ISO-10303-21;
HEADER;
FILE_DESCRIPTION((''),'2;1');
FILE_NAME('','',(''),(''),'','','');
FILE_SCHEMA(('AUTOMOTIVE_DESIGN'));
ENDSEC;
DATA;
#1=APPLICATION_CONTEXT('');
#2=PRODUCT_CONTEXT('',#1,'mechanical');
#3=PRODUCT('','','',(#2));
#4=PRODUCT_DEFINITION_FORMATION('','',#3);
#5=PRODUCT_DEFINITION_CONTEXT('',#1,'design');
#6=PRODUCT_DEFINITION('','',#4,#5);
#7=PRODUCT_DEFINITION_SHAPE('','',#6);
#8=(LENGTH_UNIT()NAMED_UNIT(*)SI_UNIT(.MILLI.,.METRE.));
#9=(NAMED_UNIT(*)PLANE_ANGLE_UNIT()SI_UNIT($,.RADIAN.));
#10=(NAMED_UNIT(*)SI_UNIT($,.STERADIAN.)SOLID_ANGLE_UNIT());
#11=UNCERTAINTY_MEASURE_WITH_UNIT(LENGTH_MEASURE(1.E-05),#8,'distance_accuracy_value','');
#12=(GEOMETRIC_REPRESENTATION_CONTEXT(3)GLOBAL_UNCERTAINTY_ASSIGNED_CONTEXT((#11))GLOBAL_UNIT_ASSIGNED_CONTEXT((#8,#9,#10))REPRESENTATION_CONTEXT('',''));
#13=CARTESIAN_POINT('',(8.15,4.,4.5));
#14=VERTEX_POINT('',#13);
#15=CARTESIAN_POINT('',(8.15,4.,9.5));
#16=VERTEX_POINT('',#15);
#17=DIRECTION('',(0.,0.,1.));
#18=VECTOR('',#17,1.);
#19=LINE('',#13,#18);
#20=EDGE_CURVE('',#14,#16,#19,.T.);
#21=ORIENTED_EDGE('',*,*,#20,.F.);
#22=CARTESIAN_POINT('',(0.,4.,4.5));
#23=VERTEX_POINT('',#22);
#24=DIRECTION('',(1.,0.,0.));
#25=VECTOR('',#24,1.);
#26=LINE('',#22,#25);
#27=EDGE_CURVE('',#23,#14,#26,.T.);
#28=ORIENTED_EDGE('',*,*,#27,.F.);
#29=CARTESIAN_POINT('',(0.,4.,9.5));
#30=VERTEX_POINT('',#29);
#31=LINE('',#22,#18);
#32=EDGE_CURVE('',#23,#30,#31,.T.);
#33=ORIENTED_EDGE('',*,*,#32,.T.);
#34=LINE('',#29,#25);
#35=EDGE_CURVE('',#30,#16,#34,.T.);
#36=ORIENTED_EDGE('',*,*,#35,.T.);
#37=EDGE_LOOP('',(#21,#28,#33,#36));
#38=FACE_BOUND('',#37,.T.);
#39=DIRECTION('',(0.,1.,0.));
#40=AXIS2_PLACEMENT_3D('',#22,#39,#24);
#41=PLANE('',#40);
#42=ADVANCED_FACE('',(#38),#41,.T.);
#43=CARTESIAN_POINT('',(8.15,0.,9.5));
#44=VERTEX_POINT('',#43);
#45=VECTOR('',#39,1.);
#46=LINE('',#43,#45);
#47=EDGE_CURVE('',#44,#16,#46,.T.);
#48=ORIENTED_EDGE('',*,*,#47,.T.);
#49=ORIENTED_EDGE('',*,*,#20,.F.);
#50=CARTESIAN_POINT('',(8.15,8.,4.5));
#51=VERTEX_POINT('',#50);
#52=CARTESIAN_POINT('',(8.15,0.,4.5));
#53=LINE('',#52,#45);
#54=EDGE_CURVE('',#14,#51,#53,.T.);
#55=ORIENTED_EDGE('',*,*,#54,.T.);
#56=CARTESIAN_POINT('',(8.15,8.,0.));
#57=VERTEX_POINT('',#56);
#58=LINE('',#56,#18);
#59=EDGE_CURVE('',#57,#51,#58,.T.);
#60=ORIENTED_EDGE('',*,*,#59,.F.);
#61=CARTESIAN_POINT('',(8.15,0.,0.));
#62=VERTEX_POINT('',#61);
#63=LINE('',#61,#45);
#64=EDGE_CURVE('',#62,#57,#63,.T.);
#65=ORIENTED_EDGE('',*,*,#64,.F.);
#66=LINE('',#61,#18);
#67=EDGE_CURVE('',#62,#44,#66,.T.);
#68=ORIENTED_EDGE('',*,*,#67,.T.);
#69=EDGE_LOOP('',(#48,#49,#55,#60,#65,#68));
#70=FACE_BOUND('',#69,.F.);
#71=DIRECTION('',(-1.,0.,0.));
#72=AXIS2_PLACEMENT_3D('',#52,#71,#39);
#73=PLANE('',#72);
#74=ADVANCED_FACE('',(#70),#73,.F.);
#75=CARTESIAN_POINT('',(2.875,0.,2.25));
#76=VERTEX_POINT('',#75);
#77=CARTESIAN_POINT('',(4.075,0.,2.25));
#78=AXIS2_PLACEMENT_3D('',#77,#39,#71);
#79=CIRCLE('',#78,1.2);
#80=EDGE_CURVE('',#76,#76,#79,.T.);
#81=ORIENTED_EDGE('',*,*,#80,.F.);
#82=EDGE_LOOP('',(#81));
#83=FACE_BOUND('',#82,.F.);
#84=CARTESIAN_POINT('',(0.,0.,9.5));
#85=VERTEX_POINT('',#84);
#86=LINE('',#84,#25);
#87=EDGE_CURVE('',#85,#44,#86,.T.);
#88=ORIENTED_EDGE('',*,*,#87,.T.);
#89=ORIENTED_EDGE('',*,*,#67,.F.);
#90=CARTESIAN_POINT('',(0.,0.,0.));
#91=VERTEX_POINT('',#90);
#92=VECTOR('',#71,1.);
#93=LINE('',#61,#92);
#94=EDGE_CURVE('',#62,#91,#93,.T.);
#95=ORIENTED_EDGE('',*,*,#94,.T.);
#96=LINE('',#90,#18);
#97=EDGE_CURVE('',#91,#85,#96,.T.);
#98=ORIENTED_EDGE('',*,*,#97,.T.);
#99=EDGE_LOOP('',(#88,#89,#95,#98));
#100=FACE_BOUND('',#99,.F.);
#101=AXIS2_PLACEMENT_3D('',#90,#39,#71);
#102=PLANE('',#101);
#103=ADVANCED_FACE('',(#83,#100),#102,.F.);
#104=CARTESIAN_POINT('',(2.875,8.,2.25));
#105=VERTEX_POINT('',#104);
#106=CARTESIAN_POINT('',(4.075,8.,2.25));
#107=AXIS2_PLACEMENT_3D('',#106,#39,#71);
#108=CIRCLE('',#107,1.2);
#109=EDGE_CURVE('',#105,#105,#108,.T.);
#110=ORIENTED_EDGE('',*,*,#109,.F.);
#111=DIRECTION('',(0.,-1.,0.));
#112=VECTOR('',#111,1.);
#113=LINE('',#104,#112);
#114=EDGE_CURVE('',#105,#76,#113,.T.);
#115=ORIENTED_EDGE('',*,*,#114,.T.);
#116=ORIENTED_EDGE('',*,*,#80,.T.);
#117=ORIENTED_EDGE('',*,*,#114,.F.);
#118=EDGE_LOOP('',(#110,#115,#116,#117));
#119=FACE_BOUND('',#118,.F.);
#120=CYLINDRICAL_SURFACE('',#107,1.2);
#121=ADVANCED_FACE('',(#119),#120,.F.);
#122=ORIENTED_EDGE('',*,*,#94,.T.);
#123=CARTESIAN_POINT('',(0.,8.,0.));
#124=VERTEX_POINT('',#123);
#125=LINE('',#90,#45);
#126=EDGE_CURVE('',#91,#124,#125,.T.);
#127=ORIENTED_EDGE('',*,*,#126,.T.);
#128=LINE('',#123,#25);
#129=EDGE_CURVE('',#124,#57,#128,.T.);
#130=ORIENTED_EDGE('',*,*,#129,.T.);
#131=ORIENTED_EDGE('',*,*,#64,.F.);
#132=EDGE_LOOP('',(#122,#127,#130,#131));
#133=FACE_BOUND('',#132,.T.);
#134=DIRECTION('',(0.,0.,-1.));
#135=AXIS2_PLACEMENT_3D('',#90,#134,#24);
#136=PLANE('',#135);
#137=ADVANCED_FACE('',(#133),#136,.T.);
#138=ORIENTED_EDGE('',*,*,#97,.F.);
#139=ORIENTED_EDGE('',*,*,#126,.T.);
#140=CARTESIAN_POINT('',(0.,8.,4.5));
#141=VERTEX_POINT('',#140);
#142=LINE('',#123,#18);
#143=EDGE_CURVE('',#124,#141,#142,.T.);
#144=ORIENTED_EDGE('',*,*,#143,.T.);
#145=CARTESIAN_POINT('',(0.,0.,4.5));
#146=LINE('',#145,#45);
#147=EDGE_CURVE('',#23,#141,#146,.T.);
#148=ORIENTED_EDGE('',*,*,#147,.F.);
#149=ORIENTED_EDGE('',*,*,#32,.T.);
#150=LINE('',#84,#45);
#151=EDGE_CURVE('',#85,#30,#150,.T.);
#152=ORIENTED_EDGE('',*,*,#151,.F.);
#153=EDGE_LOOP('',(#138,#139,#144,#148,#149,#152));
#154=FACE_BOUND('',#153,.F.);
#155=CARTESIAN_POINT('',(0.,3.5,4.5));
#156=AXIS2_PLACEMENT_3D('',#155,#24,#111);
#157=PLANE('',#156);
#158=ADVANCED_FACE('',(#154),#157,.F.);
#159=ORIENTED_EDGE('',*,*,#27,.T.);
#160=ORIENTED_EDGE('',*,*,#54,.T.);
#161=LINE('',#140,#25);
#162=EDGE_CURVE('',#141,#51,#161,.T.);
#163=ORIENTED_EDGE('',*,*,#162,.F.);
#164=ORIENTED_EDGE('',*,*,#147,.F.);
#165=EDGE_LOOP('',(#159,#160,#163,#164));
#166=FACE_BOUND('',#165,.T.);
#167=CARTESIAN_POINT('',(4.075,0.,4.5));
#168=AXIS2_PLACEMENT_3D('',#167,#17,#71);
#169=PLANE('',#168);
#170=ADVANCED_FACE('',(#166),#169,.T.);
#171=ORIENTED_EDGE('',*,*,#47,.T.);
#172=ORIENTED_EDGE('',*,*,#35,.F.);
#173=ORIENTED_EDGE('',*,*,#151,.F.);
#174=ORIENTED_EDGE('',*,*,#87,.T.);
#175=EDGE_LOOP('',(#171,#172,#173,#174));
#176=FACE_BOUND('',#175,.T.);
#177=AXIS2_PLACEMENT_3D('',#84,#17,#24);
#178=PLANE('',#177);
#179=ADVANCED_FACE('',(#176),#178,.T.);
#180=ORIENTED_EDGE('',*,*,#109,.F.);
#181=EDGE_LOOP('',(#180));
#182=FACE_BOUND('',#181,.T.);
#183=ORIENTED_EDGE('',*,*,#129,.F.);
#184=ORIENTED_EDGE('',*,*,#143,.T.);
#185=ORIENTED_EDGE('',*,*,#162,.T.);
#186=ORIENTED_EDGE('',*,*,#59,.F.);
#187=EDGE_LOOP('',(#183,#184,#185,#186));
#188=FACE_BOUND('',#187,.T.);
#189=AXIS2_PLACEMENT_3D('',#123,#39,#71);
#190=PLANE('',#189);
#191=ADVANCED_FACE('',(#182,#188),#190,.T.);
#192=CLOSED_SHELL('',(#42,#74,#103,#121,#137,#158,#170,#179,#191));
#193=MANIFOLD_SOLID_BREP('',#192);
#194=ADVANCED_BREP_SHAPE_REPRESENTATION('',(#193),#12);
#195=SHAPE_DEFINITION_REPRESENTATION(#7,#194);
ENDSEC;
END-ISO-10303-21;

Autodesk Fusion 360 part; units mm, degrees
sketch "Sketch1" plane through (0, 0, 0) normal (0, 1, 0) x (1, 0, 0)
  line L0 (0, 0) -> (8.15, 0)
  line L1 (8.15, 0) -> (8.15, -4.5)
  line L2 (0, 0) -> (0, -4.5)
  line L3 (8.15, -4.5) -> (0, -4.5)
  line L4 (4.075, 0) -> (4.075, -4.5)
  circle A0 centre (4.075, -2.25) radius 1.75
  dimension "d1" = 8.15
  dimension "d2" = 4.5
  dimension "d3" = 4.5
  dimension "d4" = 3.5
extrude "Extrude1" add sketch "Sketch1" along normal blind 8 contours L0 L2 L3 L4 A0 | L0 L1 L3 L4 A0
sketch "Sketch2" plane through (0, 0, 4.5) normal (0, 0, 1) x (1, 0, 0)
  line L0 (0, 0) -> (8.15, 0)
  line L1 (8.15, 0) -> (8.15, 8)
  line L2 (8.15, 8) -> (0, 8)
  line L3 (0, 8) -> (0, 0)
  line L4 (0, 8) -> (0, 3.5)
  line L5 (0, 3.5) -> (0, 0)
  line L6 (0, 4) -> (8.15, 4)
  line L7 (8.15, 4) -> (8.15, 0)
  line L8 (8.15, 0) -> (0, 0)
  dimension "d7" = 4.5
extrude "Extrude2" add sketch "Sketch2" along normal blind 5 contours L0 L1 L3 L4 L5 L6 L7 L8
sketch "Sketch3" plane through (0, 8, 0) normal (0, 1, 0) x (-1, 0, 0)
  circle A0 centre (-4.075, 2.25) radius 1.75
  line L0 (0, 0) -> (0, 4.5)
  line L1 (0, 4.5) -> (-8.15, 4.5)
  line L2 (-8.15, 4.5) -> (-8.15, 0)
  line L3 (-8.15, 0) -> (0, 0)
  circle A1 centre (-4.075, 2.25) radius 1
  dimension "d10" = 2
extrude "Extrude3" add sketch "Sketch3" against normal blind 8 contours A0
sketch "Sketch4" plane through (0, 8, 0) normal (0, 1, 0) x (-1, 0, 0)
  circle A0 centre (-4.075, 2.25) radius 1
  line L0 (0, 0) -> (0, 4.5)
  line L1 (0, 4.5) -> (-8.15, 4.5)
  line L2 (-8.15, 4.5) -> (-8.15, 0)
  line L3 (-8.15, 0) -> (0, 0)
  circle A1 centre (-4.075, 2.25) radius 0.75
  dimension "d13" = 1.5
extrude "Extrude4" add sketch "Sketch4" against normal blind 8 contours A0
sketch "Sketch5" plane through (0, 8, 0) normal (0, 1, 0) x (-1, 0, 0)
  circle A0 centre (-4.075, 2.25) radius 0.75
  line L0 (0, 0) -> (0, 4.5)
  line L1 (0, 4.5) -> (-8.15, 4.5)
  line L2 (-8.15, 4.5) -> (-8.15, 0)
  line L3 (-8.15, 0) -> (0, 0)
  circle A1 centre (-4.075, 2.25) radius 1.2
  dimension "d17" = 2.4
extrude "Extrude5" cut sketch "Sketch5" against normal blind 20 contours A1
equation "HoleDiameter = 2 mm"
